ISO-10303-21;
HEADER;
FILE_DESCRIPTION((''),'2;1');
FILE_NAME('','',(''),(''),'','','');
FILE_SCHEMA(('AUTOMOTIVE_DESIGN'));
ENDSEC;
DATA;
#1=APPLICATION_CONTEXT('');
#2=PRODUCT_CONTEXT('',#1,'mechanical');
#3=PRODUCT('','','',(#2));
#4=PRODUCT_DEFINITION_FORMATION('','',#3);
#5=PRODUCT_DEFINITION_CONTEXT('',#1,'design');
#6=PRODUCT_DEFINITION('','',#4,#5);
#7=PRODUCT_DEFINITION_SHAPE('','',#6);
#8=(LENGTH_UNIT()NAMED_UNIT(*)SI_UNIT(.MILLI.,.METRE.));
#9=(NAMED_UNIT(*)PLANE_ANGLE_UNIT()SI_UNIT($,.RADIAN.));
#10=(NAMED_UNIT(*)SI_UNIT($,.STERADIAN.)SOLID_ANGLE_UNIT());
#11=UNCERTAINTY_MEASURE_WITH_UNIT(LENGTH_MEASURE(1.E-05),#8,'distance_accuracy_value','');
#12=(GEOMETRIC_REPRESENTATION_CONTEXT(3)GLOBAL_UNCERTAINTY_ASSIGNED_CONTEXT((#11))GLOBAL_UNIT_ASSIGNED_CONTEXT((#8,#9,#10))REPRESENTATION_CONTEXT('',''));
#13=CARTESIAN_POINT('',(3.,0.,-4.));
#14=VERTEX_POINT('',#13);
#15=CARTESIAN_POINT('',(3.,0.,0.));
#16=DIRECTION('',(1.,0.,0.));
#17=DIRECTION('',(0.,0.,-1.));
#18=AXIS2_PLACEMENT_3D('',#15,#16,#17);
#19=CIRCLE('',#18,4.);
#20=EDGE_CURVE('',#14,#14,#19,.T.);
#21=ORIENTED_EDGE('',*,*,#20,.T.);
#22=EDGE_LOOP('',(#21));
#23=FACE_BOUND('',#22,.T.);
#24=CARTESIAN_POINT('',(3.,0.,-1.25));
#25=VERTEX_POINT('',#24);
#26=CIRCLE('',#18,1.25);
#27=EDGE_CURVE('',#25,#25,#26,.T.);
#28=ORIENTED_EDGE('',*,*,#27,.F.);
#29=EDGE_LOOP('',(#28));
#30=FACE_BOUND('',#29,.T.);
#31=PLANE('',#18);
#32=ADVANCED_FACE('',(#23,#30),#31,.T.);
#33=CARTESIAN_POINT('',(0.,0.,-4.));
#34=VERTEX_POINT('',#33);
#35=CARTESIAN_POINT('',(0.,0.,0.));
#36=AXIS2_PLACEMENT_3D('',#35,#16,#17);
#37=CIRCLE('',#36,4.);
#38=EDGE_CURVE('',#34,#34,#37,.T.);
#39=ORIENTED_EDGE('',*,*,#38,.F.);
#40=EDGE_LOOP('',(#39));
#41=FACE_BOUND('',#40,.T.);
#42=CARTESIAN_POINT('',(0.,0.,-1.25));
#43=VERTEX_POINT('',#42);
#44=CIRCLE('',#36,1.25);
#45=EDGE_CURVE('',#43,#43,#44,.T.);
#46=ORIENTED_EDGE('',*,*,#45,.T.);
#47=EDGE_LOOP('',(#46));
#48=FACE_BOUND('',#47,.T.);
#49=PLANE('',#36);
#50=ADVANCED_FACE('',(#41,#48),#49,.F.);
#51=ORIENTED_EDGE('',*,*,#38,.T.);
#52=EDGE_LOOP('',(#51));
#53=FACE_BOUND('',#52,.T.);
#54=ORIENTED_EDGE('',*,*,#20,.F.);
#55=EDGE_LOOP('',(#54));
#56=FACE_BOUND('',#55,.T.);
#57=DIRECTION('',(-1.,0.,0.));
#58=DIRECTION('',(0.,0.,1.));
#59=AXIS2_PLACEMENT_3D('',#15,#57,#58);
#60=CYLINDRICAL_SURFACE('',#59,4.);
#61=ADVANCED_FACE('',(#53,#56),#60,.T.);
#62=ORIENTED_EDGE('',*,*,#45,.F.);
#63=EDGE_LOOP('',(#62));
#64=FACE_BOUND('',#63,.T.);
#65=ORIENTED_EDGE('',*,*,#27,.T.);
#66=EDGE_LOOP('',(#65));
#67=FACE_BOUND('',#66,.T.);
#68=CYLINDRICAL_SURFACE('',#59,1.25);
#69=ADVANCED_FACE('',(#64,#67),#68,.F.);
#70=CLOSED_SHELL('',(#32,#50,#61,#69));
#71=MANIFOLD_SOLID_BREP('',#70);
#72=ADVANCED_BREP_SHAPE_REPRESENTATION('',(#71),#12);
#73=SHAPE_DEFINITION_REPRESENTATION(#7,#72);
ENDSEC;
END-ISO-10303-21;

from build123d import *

# Parameters (mm, degrees)
SKETCH1_R           = 4
SKETCH1_R_2         = 1.25
BOSS_EXTRUDE1_DEPTH = 3


with BuildPart() as part:
    # Sketch1 → Boss-Extrude1 (new body)
    with BuildSketch(Plane(origin=(0, 0, 0), x_dir=(0, 0, -1), z_dir=(1, 0, 0))):
        Circle(SKETCH1_R)
        Circle(SKETCH1_R_2, mode=Mode.SUBTRACT)
    extrude(amount=BOSS_EXTRUDE1_DEPTH)


solid = part.part
